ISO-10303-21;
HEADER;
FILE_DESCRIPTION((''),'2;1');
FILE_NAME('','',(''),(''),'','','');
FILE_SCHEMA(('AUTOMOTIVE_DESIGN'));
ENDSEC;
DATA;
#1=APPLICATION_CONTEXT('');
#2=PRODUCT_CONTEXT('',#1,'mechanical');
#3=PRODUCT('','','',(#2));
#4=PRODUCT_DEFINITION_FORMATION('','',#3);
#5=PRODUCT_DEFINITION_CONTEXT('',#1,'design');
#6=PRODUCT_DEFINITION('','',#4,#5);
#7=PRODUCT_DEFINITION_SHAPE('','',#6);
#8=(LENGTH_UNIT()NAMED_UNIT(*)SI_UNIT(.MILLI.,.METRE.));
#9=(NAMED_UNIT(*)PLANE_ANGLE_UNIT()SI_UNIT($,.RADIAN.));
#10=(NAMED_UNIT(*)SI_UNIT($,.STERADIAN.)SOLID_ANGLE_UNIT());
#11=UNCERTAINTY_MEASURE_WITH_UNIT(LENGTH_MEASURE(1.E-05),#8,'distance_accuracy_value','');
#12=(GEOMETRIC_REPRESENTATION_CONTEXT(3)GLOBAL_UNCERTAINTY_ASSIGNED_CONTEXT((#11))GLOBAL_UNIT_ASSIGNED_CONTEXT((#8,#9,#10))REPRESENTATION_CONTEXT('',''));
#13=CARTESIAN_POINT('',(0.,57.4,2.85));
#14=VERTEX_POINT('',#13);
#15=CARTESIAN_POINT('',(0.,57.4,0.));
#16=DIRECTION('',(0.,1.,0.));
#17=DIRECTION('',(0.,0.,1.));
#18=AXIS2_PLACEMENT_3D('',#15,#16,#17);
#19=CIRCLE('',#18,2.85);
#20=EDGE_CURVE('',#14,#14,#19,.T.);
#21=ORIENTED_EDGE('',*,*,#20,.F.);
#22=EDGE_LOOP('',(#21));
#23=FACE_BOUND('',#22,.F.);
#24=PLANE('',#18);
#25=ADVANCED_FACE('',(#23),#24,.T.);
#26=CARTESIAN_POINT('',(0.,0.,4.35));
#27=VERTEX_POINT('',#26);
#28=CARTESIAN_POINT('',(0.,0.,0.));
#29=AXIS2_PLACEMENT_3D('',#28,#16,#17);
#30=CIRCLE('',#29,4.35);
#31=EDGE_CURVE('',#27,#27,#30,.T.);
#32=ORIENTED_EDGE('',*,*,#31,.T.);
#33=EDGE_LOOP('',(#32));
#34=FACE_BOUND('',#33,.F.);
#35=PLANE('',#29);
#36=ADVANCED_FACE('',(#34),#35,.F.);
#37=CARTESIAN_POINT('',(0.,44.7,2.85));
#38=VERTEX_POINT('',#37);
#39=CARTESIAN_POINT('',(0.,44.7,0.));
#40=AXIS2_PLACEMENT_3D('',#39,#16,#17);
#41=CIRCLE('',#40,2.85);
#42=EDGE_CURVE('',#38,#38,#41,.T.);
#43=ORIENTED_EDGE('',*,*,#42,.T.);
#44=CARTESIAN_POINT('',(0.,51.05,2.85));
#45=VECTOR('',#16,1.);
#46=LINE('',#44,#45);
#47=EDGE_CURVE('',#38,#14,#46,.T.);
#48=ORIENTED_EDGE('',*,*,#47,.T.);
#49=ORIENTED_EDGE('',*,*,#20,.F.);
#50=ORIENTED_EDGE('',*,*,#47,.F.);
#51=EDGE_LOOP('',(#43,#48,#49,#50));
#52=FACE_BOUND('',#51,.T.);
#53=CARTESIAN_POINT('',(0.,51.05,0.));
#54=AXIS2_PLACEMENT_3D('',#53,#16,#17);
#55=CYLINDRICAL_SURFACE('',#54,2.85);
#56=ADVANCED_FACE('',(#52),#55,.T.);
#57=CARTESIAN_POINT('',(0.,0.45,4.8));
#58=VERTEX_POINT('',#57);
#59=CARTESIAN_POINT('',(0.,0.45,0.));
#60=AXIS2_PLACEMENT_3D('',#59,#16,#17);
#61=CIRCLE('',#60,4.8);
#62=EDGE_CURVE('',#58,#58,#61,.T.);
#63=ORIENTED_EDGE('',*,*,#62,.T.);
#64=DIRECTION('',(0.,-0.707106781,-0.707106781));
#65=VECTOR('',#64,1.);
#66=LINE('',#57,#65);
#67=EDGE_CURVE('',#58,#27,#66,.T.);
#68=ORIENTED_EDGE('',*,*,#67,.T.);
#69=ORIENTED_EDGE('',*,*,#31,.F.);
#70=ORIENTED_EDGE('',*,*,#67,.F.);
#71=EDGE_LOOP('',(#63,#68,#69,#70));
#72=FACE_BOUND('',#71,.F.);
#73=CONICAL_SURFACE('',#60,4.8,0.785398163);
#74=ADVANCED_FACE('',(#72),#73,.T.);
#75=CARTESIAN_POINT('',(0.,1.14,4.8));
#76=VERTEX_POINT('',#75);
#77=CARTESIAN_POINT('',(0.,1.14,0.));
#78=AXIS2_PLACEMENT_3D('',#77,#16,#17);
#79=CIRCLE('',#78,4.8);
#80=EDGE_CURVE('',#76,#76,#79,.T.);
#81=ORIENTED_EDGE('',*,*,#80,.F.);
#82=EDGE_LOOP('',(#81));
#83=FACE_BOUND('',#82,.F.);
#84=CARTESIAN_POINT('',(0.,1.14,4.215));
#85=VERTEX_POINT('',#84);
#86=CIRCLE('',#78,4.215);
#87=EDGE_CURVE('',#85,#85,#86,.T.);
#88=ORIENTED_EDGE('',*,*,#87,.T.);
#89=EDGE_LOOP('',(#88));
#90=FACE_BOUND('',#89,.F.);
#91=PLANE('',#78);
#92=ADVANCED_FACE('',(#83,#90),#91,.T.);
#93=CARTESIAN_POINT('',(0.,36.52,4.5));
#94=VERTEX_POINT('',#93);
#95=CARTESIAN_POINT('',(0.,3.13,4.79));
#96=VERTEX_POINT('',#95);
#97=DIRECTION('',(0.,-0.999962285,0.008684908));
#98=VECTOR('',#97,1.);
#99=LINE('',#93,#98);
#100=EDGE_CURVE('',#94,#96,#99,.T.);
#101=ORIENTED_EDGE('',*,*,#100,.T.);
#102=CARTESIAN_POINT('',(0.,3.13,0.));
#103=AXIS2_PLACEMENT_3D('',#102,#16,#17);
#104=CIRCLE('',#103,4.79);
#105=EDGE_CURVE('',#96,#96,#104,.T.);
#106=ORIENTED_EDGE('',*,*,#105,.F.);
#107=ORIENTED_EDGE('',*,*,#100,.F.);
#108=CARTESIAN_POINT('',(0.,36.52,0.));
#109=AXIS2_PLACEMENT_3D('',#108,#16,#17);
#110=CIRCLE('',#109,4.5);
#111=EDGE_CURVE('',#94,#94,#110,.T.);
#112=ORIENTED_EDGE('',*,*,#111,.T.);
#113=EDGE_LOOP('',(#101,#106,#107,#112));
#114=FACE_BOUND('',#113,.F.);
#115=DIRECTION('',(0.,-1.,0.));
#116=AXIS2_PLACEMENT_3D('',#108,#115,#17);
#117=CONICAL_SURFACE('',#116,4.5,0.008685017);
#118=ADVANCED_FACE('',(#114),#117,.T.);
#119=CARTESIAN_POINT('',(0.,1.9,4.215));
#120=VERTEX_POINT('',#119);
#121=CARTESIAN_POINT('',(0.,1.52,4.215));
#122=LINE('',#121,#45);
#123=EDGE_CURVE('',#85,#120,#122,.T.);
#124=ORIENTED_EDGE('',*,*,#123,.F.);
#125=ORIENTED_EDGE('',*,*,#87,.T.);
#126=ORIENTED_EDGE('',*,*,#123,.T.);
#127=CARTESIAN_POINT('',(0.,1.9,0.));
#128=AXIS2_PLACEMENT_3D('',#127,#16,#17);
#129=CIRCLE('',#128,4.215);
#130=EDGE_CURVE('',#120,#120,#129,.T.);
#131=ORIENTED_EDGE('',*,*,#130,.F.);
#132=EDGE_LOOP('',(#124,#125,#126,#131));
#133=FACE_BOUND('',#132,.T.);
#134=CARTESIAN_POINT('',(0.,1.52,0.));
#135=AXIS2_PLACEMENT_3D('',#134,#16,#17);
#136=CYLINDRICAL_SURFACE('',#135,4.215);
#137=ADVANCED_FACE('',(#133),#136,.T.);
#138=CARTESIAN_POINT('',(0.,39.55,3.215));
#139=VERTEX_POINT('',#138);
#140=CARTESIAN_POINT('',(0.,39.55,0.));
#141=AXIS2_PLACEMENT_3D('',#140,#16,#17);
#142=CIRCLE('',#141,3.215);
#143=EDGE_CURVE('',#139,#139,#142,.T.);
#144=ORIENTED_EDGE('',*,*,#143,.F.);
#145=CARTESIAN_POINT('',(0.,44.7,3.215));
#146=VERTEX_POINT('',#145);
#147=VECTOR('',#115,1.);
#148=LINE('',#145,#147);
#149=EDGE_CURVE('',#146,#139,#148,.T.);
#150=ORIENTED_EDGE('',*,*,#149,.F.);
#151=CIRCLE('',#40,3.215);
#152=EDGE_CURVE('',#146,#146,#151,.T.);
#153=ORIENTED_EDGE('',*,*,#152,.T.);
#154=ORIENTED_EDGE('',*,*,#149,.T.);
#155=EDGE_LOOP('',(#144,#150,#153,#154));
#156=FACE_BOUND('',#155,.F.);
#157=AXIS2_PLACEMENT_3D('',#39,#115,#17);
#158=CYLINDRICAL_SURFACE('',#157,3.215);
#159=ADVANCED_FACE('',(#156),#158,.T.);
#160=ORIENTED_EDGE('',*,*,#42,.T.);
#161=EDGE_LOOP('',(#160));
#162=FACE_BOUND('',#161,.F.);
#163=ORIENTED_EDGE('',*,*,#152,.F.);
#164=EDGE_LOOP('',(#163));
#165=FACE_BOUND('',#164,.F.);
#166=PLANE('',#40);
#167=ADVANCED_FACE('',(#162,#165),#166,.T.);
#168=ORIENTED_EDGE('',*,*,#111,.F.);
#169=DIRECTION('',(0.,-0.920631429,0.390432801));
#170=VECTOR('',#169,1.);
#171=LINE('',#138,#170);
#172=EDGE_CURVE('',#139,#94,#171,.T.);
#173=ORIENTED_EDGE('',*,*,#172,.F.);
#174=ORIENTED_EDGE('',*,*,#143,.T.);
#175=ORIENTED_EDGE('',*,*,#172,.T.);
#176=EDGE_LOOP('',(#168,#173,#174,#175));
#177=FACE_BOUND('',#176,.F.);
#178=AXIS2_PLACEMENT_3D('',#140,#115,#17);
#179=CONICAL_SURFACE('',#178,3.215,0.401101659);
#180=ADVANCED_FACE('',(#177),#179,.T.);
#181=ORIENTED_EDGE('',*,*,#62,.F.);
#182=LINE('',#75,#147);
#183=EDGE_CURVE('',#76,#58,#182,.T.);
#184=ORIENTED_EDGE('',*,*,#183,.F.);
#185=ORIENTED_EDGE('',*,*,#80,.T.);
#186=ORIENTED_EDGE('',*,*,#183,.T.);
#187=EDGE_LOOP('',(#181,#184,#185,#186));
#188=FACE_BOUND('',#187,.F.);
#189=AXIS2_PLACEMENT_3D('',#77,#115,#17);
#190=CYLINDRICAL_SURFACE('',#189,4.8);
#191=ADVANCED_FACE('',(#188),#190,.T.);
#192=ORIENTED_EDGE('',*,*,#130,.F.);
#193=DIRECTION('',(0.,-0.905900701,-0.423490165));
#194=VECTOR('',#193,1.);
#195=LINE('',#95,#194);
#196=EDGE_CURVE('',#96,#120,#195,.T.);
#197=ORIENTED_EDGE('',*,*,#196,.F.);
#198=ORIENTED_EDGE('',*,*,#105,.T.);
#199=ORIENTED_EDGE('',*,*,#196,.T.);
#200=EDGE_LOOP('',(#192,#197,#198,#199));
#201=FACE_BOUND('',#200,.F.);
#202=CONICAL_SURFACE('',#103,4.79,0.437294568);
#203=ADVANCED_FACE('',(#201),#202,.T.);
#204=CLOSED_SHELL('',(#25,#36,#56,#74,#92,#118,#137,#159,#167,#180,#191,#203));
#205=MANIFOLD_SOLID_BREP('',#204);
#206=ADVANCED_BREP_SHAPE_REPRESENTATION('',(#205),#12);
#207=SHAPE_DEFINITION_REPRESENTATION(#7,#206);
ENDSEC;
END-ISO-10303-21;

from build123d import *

# Parameters (mm, degrees)
F0_W   = 0.76
F0_H   = 4.215
F0_W_2 = 12.7
F0_H_2 = 2.85


with BuildPart() as f1:
    # F0 (on Right) → F1 (revolve)
    with BuildSketch(Plane.YZ):
        Polygon((0, 4.35), (0, 0), (0.45, 0), (1.14, 0), (1.14, 4.215), (1.14, 4.8), (0.45, 4.8), align=None)
        with Locations((1.52, 2.1075)):
            Rectangle(F0_W, F0_H)
        Polygon((1.9, 4.215), (1.9, 0), (3.13, 0), (3.13, 4.79), align=None)
        Polygon((3.13, 4.79), (3.13, 0), (36.52, 0), (36.52, 4.5), align=None)
        Polygon((36.52, 4.5), (36.52, 0), (39.55, 0), (44.7, 0), (44.7, 2.85), (44.7, 3.215), (39.55, 3.215), align=None)
        with Locations((51.05, 1.425)):
            Rectangle(F0_W_2, F0_H_2)
    revolve(axis=Axis((0, 19.825, 0), (0, 1, 0)))


solid = f1.part
